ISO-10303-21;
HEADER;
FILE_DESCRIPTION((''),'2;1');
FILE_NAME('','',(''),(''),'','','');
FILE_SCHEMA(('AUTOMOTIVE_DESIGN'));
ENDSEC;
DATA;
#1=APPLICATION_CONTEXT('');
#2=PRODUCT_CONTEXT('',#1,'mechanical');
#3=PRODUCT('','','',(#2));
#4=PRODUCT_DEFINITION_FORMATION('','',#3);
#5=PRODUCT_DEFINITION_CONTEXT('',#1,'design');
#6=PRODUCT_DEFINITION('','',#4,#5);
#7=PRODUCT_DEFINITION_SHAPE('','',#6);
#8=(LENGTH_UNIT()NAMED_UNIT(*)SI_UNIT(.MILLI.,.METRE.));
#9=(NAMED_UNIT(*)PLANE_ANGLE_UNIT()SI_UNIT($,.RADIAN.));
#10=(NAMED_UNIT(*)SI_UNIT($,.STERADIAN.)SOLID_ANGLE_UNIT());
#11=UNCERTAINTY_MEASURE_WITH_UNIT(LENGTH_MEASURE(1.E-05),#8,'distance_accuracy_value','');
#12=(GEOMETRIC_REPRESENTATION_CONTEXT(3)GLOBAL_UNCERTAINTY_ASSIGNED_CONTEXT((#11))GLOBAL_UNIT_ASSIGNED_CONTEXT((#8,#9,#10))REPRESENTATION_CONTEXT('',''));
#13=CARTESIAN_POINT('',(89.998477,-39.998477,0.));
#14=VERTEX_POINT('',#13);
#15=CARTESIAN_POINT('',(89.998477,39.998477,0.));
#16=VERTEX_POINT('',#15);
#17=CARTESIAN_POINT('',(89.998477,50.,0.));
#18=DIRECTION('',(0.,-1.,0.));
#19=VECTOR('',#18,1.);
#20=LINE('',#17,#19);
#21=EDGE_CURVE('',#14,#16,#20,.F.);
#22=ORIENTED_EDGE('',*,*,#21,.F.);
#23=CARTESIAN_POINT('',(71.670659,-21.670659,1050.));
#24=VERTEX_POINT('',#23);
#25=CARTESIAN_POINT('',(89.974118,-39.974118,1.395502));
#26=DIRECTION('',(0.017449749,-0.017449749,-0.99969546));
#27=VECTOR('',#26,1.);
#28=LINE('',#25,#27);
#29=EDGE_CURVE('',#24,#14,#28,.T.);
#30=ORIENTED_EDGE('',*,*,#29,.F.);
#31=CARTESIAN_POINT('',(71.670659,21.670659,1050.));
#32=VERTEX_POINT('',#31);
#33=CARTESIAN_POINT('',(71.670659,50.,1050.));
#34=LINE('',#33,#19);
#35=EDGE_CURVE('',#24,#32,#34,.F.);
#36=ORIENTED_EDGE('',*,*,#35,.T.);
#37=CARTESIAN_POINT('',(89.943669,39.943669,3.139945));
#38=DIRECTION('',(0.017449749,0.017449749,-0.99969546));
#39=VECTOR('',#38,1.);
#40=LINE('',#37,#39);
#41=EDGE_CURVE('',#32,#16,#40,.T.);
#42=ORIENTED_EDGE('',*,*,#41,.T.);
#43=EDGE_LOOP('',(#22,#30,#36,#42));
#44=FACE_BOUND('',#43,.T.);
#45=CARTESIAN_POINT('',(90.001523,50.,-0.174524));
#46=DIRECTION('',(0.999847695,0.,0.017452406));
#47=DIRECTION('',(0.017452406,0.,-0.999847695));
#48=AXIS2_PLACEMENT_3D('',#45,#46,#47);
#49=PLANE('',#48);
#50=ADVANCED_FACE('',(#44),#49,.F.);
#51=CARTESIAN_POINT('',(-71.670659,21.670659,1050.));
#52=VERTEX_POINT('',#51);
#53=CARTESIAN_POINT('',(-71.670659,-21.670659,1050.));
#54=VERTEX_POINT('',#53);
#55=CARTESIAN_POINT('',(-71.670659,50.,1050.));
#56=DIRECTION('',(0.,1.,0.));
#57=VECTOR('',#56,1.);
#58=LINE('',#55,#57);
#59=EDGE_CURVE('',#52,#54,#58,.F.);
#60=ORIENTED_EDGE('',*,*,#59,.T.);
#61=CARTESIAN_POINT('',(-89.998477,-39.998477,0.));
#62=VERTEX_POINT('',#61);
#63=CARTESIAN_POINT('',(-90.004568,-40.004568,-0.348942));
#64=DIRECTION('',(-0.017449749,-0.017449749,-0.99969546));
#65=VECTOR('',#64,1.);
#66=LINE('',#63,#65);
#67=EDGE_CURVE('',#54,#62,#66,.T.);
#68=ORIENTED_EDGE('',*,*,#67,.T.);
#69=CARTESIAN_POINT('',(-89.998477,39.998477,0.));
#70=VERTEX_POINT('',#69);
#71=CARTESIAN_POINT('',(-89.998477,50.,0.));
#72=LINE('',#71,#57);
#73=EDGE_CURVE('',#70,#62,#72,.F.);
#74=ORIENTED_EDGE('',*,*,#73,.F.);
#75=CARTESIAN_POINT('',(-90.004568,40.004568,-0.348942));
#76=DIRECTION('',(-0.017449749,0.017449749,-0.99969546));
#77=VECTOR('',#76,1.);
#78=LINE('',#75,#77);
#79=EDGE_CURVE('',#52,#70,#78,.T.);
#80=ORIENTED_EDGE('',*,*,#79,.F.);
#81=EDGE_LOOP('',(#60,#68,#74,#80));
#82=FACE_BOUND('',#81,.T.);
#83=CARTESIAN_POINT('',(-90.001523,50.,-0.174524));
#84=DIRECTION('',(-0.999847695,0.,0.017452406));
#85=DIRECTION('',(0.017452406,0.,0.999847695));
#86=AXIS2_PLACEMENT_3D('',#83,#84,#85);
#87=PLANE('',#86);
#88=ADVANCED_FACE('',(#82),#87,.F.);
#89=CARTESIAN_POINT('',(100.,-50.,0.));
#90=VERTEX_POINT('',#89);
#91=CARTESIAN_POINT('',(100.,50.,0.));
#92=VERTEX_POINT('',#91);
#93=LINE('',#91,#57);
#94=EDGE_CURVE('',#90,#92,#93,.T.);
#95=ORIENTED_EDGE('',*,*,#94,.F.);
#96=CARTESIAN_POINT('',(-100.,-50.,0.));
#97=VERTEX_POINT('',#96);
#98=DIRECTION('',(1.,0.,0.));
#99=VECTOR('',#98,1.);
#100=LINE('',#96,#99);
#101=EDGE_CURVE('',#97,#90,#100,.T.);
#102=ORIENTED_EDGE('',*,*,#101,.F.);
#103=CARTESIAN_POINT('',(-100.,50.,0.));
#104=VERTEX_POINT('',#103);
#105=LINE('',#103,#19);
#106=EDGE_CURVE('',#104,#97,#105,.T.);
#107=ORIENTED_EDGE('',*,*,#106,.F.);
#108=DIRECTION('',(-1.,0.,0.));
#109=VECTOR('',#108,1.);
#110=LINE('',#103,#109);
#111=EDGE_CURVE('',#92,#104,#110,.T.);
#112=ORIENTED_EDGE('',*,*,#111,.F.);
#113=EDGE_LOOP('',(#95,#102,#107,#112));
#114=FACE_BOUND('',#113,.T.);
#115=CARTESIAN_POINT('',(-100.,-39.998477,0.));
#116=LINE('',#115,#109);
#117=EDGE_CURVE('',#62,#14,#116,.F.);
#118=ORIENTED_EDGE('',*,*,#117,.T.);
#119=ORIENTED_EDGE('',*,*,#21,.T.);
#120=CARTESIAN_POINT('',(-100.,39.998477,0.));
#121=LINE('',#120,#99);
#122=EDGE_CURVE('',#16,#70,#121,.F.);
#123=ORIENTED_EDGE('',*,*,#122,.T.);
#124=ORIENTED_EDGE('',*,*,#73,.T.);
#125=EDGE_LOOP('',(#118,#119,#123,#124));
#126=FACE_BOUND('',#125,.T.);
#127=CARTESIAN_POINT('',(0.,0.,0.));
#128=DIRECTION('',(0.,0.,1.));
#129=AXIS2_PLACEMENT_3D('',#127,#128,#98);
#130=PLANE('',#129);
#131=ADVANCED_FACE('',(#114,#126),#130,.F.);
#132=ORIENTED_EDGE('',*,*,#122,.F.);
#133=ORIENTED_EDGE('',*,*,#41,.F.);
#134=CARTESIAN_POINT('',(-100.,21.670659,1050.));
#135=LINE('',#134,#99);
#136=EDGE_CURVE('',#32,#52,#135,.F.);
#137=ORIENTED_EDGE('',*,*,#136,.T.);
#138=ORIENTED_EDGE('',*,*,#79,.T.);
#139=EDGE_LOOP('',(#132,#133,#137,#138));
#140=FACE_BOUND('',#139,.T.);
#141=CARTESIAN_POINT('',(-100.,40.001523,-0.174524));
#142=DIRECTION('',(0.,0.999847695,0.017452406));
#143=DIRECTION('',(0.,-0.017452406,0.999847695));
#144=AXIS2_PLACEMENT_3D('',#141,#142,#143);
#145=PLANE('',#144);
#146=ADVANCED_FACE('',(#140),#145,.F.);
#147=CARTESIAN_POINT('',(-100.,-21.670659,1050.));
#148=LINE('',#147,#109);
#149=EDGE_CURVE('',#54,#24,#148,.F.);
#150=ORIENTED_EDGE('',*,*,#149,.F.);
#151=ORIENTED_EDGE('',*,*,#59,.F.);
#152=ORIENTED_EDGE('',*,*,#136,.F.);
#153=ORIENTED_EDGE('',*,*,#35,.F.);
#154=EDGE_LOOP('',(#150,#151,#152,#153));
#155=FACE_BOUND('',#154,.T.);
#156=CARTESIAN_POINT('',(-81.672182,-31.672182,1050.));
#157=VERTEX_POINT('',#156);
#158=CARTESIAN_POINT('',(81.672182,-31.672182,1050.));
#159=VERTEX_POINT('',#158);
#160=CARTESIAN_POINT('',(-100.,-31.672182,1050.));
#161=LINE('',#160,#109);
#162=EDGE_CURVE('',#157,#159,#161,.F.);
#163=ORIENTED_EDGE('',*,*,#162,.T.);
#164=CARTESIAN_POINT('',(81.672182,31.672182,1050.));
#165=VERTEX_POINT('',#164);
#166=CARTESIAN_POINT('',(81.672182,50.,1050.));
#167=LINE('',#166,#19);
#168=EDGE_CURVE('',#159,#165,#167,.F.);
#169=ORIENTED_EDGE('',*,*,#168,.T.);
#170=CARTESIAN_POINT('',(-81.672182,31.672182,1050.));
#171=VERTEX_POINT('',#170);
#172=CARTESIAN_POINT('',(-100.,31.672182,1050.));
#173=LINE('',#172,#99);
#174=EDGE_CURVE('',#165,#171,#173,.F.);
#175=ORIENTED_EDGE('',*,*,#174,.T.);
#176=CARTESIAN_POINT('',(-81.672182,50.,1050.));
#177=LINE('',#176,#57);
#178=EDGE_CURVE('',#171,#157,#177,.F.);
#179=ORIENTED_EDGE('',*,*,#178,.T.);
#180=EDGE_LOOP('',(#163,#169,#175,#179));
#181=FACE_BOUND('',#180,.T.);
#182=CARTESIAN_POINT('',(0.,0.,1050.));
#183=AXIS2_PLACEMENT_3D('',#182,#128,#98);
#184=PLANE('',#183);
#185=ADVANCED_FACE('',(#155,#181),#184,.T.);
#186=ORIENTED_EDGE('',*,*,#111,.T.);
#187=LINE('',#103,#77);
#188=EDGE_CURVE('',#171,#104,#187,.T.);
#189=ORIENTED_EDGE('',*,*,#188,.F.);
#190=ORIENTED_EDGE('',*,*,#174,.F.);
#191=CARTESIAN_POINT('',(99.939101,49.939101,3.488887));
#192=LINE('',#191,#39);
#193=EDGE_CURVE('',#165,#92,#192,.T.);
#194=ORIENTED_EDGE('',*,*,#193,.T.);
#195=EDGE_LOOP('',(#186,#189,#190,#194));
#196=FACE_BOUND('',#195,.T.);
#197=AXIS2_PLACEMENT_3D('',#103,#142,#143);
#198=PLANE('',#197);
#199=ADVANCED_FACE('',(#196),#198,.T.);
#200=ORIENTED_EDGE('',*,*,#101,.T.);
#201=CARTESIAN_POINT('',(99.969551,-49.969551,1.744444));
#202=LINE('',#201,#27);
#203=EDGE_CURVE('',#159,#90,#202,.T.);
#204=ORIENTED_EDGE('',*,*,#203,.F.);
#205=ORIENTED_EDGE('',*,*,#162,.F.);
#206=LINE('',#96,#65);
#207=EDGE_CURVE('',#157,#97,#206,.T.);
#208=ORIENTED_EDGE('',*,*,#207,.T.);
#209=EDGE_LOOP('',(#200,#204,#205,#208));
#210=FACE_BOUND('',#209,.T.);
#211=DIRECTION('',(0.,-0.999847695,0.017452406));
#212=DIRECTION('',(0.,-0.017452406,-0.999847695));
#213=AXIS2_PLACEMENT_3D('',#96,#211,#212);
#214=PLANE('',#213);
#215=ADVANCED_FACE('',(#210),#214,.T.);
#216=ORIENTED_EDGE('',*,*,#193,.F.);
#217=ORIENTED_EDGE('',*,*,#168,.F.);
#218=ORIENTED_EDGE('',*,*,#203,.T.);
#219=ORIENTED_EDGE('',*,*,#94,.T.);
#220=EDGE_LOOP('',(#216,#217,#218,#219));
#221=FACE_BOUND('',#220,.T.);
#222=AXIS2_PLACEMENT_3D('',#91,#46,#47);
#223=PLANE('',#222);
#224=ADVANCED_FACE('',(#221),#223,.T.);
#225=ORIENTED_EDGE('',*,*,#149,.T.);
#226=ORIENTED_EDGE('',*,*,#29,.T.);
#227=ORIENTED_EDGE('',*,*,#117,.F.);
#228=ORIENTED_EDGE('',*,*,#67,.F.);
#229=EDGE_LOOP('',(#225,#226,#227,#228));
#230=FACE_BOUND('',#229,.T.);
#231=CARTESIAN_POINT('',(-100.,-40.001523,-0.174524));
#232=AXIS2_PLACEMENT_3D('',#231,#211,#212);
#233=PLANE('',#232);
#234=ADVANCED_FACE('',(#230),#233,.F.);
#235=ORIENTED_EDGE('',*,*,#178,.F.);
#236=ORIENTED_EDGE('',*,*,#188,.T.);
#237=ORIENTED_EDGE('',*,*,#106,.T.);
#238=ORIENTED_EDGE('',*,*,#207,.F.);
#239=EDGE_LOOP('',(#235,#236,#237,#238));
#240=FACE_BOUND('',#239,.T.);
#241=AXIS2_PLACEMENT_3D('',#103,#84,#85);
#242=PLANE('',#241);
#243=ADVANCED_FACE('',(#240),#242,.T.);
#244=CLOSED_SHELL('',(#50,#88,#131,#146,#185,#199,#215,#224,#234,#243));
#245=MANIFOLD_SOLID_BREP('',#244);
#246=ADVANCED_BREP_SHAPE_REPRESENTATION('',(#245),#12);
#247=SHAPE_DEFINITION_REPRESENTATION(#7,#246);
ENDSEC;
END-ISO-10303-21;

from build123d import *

# Parameters (mm, degrees)
SKETCH2_W           = 200
SKETCH2_H           = 100
BOSS_EXTRUDE1_DEPTH = 1050
BOSS_EXTRUDE1_TAPER = 1
SHELL1_T            = -10


with BuildPart() as part:
    # Sketch2 → Boss-Extrude1 (new body)
    with BuildSketch(Plane.XY):
        Rectangle(SKETCH2_W, SKETCH2_H)
    extrude(amount=BOSS_EXTRUDE1_DEPTH, taper=BOSS_EXTRUDE1_TAPER)

    # Shell1
    shell1_openings = [part.faces().sort_by_distance(p)[0] for p in [
        (0, 0, 1050),
        (0, 0, 0),
    ]]
    offset(amount=SHELL1_T, openings=shell1_openings, kind=Kind.INTERSECTION)


solid = part.part
